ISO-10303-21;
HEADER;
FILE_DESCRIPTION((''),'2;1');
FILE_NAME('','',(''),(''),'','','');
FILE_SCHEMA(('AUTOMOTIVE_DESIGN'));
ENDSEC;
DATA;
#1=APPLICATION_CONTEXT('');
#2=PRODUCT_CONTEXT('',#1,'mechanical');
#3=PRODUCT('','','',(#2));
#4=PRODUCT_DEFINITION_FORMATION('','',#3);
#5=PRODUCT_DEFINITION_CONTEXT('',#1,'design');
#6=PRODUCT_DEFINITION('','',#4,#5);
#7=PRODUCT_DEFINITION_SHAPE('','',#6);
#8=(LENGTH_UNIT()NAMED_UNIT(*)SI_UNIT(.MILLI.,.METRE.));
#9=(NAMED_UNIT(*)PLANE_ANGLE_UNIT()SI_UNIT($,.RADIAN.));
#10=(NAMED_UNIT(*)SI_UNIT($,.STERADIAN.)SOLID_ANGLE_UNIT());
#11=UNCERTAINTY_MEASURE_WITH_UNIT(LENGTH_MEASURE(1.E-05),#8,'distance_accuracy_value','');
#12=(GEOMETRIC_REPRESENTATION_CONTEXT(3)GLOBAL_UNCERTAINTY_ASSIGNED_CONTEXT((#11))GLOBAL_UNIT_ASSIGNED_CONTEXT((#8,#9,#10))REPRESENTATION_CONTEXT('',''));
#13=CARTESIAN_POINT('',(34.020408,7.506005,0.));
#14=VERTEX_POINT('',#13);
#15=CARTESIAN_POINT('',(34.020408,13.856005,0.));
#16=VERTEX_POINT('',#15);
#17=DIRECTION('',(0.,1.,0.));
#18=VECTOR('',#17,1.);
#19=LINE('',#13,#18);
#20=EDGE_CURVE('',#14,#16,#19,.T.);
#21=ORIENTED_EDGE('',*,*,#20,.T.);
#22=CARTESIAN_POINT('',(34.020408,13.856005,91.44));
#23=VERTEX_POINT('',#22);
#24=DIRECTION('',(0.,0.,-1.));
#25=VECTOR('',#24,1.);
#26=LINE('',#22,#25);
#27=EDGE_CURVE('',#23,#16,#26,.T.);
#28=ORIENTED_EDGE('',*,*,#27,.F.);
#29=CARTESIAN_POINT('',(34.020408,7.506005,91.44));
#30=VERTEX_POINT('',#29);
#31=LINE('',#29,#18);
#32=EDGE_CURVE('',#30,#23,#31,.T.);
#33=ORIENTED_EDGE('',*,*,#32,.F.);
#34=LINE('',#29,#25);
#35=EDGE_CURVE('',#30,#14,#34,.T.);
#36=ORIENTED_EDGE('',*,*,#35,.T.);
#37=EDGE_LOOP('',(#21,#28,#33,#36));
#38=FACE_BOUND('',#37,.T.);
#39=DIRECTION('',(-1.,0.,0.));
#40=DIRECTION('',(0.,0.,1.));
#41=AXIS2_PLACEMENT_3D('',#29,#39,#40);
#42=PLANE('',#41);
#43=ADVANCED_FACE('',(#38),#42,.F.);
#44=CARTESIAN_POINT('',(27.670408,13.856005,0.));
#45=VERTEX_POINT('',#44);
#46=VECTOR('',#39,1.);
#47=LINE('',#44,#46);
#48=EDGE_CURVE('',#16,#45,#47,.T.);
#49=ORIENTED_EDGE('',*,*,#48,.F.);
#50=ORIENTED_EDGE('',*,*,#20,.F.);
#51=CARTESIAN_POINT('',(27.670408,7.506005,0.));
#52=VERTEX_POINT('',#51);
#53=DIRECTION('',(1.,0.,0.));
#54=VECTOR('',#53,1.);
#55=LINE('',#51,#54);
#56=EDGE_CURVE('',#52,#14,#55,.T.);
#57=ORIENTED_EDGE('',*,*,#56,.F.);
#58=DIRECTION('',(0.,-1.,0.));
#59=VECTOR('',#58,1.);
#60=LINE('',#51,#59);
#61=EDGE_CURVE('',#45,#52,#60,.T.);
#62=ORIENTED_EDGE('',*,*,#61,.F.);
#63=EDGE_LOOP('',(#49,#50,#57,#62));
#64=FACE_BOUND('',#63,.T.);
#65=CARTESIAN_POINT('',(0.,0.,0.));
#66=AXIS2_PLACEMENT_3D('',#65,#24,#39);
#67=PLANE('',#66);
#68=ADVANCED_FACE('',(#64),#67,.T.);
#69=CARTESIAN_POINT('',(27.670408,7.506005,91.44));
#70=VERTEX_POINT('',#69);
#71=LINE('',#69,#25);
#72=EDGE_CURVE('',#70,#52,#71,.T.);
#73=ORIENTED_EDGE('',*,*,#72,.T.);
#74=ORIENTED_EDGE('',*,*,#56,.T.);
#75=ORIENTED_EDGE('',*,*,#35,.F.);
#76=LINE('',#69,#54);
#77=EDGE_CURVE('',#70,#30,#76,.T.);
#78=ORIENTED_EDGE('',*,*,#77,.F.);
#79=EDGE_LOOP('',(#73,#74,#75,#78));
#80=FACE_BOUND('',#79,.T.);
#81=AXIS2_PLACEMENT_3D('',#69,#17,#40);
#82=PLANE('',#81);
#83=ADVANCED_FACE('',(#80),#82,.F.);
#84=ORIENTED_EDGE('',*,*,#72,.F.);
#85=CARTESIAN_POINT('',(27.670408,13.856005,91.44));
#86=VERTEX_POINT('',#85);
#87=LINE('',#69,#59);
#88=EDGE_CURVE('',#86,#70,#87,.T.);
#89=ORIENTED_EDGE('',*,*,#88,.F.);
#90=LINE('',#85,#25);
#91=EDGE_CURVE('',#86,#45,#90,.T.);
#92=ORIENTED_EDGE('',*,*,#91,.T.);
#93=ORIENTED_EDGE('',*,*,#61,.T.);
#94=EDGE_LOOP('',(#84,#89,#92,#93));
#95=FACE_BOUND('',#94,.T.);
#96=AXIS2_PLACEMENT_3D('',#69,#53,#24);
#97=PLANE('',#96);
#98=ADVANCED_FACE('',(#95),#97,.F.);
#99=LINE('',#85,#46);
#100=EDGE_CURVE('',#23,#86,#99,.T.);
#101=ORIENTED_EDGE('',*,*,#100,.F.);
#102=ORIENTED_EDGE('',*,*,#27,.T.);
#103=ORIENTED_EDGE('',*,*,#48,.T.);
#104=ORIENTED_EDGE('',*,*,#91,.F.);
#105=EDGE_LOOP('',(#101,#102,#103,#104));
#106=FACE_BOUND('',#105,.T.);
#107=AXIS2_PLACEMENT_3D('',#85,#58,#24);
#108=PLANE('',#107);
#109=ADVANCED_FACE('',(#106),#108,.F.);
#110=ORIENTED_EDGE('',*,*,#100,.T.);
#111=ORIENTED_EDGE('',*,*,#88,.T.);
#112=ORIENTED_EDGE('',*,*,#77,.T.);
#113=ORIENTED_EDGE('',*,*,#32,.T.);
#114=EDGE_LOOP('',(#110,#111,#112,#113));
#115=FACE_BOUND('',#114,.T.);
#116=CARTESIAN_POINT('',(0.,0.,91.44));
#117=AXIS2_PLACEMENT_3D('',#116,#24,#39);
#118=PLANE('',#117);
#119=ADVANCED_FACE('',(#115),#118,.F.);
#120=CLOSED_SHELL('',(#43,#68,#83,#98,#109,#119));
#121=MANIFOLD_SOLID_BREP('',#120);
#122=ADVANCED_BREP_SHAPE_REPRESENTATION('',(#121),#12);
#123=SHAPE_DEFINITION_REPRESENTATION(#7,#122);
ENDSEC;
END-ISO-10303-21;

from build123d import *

# Parameters (mm, degrees)
SKETCH2_W           = 6.35
SKETCH2_H           = 6.35
BOSS_EXTRUDE1_DEPTH = 91.44


with BuildPart() as part:
    # Sketch2 → Boss-Extrude1 (new body)
    with BuildSketch(Plane.XY):
        with Locations((30.845408122, 10.681005057)):
            Rectangle(SKETCH2_W, SKETCH2_H)
    extrude(amount=BOSS_EXTRUDE1_DEPTH)


solid = part.part
